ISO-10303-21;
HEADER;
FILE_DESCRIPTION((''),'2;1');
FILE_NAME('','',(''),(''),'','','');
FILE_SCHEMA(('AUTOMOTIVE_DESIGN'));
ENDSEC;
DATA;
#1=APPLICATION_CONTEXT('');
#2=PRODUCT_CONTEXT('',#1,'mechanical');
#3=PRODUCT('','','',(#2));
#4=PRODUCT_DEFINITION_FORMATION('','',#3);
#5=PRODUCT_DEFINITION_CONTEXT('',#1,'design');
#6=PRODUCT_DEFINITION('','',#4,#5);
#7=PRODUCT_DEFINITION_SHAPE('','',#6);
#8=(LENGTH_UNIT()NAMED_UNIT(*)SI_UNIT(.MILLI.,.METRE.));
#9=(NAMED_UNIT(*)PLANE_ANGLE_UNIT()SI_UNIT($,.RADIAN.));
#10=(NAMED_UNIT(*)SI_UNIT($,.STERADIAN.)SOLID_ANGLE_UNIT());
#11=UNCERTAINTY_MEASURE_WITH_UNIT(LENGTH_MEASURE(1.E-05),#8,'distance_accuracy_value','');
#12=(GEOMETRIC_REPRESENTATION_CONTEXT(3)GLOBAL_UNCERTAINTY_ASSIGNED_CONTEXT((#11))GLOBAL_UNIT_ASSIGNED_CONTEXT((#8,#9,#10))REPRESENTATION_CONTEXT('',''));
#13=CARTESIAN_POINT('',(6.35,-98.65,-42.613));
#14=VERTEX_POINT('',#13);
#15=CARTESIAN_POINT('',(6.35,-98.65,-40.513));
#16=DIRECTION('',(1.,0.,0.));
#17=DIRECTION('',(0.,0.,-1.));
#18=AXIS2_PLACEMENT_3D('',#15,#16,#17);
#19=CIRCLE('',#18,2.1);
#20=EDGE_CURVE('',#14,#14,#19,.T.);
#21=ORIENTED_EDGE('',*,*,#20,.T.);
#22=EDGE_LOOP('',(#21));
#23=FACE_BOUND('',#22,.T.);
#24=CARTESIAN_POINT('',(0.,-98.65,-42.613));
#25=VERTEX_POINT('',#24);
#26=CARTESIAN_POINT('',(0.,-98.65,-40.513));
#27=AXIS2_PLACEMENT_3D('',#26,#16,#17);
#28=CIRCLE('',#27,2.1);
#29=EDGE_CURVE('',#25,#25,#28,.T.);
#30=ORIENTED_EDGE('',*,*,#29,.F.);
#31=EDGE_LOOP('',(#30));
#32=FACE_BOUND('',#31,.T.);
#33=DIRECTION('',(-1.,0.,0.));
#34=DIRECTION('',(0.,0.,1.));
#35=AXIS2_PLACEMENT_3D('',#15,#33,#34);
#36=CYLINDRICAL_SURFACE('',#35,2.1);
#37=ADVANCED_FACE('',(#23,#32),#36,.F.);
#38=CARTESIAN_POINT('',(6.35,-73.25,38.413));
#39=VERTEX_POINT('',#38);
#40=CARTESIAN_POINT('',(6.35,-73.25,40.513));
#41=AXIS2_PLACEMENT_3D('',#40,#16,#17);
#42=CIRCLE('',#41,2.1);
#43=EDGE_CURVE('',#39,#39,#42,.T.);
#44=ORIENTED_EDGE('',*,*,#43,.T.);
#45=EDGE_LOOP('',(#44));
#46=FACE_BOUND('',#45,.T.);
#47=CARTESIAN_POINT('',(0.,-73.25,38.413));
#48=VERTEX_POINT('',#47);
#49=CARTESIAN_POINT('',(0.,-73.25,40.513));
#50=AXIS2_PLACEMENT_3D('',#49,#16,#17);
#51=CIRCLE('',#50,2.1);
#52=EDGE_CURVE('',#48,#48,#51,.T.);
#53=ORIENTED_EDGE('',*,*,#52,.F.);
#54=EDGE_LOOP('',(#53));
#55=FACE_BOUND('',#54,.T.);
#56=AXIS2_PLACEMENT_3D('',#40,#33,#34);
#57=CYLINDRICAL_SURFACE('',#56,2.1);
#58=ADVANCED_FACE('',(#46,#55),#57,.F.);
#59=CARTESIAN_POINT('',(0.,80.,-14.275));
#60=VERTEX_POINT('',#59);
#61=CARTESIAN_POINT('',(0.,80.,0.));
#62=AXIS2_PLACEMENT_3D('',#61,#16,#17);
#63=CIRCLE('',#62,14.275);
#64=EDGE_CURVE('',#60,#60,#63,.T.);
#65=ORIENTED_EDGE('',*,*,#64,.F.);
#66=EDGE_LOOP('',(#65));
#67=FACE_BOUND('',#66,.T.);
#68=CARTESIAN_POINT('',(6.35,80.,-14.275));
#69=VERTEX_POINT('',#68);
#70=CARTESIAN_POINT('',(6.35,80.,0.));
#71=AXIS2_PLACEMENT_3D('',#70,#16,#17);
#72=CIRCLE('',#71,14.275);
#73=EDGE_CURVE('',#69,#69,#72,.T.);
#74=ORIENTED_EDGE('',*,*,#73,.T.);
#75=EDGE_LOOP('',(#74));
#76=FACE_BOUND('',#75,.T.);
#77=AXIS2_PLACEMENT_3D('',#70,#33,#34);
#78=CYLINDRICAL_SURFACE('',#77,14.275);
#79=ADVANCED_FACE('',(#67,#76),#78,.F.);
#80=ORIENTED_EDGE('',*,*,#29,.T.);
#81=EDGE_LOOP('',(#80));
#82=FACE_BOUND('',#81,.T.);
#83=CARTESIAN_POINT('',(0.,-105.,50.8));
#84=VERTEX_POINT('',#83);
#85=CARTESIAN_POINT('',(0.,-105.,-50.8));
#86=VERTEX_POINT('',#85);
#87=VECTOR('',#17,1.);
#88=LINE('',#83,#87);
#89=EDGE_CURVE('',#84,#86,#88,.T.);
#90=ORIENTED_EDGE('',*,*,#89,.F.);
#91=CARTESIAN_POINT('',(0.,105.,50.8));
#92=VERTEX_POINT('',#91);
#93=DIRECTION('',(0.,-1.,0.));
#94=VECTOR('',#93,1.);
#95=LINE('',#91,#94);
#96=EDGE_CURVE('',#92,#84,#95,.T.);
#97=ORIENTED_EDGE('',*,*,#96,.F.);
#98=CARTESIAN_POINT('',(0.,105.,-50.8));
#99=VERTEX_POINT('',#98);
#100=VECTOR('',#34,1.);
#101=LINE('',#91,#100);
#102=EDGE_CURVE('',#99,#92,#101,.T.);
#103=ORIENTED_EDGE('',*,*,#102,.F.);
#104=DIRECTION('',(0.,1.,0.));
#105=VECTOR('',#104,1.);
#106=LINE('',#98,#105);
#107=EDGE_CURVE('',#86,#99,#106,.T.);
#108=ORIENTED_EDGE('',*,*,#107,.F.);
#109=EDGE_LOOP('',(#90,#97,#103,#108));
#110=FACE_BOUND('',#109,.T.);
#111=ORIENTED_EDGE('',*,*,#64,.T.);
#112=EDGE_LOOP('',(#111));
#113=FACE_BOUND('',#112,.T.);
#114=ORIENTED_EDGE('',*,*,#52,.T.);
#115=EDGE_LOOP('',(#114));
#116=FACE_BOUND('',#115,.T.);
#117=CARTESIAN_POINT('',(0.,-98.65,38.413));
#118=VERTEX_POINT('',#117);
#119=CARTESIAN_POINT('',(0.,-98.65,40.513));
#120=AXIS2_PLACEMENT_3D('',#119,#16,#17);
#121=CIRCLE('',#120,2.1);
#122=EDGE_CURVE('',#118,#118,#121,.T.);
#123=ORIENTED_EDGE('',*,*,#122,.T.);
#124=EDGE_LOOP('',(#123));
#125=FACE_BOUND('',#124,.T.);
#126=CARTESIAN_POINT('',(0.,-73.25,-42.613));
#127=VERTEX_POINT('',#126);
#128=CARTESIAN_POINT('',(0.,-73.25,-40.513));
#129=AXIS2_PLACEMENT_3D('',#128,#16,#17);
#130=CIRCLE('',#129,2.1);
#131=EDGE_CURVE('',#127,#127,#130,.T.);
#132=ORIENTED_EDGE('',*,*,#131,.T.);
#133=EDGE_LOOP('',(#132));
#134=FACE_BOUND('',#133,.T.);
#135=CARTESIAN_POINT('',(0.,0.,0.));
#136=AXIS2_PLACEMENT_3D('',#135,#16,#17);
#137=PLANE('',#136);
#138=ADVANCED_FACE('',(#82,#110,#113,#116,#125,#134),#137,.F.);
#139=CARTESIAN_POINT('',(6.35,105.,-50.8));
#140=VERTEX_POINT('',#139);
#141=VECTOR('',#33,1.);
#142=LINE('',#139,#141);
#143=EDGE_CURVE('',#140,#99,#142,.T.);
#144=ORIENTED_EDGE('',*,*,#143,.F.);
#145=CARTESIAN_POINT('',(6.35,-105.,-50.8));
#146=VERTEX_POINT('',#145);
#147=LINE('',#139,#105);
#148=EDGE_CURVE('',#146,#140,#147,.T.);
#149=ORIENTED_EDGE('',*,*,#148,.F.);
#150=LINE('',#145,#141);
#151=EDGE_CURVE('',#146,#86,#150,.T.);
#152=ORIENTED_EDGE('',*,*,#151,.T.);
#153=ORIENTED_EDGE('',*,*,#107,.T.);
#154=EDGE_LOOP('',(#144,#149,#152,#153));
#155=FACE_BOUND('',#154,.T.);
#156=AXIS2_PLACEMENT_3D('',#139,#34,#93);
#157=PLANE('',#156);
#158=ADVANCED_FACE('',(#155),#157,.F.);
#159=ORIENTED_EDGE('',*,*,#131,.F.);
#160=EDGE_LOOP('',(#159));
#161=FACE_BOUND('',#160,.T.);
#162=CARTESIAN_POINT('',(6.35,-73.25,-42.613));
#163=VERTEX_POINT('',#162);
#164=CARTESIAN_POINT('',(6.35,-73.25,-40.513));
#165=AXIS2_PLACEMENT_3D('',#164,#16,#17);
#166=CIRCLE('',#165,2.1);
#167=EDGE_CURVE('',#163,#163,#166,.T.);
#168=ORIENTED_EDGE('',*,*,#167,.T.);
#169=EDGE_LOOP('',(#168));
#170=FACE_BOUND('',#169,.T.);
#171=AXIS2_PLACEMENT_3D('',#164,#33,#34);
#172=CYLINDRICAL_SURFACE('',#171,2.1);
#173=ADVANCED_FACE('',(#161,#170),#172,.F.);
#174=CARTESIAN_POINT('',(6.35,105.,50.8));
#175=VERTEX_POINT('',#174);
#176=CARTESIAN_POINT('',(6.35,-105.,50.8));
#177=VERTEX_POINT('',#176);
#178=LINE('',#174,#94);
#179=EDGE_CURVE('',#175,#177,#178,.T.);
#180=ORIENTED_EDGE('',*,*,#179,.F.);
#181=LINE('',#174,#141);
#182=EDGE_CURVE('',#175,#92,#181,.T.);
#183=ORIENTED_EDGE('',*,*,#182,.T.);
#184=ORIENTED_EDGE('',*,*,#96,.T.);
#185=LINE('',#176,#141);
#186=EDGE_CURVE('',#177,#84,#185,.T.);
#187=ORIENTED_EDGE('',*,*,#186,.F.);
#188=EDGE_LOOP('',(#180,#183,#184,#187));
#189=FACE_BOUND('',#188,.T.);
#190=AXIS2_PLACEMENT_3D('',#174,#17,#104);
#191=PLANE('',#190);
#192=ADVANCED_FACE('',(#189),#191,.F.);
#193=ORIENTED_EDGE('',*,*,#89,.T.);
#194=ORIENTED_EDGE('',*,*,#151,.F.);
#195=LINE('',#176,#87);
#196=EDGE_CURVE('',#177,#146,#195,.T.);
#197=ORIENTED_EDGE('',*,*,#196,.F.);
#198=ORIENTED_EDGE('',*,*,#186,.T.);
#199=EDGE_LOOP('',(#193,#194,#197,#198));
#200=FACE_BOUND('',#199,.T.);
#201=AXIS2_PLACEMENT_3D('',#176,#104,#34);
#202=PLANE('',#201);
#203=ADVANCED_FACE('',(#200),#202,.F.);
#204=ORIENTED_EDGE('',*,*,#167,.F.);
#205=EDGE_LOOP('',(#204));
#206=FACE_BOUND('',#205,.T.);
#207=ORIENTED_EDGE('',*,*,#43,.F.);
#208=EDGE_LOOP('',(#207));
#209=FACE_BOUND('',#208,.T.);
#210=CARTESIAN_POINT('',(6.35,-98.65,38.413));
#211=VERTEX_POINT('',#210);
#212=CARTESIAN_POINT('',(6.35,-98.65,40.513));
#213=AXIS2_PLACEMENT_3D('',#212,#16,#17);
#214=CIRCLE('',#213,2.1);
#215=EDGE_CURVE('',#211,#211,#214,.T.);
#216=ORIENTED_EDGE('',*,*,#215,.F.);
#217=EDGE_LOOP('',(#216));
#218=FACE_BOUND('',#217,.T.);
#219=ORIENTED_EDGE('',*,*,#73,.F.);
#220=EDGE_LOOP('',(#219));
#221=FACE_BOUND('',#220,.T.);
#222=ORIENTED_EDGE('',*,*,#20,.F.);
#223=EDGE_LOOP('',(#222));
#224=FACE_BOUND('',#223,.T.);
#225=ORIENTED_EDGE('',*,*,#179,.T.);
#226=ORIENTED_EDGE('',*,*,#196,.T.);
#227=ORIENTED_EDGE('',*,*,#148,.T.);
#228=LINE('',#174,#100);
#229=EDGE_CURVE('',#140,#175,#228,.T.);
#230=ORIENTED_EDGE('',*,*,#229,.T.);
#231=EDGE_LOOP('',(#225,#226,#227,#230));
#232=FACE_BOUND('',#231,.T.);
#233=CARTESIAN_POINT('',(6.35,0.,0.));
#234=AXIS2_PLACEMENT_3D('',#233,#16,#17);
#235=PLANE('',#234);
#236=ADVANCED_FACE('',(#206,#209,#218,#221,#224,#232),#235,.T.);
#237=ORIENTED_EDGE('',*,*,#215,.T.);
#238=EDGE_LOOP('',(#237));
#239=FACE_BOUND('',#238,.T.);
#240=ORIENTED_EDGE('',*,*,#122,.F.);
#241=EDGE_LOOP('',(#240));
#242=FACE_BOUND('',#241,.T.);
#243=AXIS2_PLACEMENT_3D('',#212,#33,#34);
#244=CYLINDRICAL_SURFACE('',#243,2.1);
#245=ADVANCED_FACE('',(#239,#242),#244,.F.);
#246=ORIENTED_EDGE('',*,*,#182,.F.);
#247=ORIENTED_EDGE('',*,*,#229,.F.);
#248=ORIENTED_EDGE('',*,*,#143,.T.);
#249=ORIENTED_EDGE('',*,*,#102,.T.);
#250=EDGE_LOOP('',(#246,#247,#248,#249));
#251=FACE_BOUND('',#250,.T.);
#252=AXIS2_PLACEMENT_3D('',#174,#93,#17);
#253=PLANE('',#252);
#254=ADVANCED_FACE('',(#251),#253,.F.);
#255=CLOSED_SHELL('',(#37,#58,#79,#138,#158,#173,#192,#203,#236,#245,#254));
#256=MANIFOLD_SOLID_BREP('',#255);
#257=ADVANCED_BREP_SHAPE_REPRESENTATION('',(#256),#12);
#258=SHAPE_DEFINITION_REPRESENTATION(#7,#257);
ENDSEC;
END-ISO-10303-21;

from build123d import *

# Parameters (mm, degrees)
SKETCH1_W           = 101.6
SKETCH1_H           = 210
SKETCH1_R           = 2.1
SKETCH1_R_2         = 14.275
BOSS_EXTRUDE1_DEPTH = 6.35


with BuildPart() as part:
    # Sketch1 → Boss-Extrude1 (new body)
    with BuildSketch(Plane(origin=(0, 0, 0), x_dir=(0, 0, -1), z_dir=(1, 0, 0))):
        Rectangle(SKETCH1_W, SKETCH1_H)
        with Locations((-40.513, -98.65)):
            Circle(SKETCH1_R, mode=Mode.SUBTRACT)
        with Locations((40.513, -98.65)):
            Circle(SKETCH1_R, mode=Mode.SUBTRACT)
        with Locations((0, 80)):
            Circle(SKETCH1_R_2, mode=Mode.SUBTRACT)
        with Locations((-40.513, -73.25)):
            Circle(SKETCH1_R, mode=Mode.SUBTRACT)
        with Locations((40.513, -73.25)):
            Circle(SKETCH1_R, mode=Mode.SUBTRACT)
    extrude(amount=BOSS_EXTRUDE1_DEPTH)


solid = part.part
